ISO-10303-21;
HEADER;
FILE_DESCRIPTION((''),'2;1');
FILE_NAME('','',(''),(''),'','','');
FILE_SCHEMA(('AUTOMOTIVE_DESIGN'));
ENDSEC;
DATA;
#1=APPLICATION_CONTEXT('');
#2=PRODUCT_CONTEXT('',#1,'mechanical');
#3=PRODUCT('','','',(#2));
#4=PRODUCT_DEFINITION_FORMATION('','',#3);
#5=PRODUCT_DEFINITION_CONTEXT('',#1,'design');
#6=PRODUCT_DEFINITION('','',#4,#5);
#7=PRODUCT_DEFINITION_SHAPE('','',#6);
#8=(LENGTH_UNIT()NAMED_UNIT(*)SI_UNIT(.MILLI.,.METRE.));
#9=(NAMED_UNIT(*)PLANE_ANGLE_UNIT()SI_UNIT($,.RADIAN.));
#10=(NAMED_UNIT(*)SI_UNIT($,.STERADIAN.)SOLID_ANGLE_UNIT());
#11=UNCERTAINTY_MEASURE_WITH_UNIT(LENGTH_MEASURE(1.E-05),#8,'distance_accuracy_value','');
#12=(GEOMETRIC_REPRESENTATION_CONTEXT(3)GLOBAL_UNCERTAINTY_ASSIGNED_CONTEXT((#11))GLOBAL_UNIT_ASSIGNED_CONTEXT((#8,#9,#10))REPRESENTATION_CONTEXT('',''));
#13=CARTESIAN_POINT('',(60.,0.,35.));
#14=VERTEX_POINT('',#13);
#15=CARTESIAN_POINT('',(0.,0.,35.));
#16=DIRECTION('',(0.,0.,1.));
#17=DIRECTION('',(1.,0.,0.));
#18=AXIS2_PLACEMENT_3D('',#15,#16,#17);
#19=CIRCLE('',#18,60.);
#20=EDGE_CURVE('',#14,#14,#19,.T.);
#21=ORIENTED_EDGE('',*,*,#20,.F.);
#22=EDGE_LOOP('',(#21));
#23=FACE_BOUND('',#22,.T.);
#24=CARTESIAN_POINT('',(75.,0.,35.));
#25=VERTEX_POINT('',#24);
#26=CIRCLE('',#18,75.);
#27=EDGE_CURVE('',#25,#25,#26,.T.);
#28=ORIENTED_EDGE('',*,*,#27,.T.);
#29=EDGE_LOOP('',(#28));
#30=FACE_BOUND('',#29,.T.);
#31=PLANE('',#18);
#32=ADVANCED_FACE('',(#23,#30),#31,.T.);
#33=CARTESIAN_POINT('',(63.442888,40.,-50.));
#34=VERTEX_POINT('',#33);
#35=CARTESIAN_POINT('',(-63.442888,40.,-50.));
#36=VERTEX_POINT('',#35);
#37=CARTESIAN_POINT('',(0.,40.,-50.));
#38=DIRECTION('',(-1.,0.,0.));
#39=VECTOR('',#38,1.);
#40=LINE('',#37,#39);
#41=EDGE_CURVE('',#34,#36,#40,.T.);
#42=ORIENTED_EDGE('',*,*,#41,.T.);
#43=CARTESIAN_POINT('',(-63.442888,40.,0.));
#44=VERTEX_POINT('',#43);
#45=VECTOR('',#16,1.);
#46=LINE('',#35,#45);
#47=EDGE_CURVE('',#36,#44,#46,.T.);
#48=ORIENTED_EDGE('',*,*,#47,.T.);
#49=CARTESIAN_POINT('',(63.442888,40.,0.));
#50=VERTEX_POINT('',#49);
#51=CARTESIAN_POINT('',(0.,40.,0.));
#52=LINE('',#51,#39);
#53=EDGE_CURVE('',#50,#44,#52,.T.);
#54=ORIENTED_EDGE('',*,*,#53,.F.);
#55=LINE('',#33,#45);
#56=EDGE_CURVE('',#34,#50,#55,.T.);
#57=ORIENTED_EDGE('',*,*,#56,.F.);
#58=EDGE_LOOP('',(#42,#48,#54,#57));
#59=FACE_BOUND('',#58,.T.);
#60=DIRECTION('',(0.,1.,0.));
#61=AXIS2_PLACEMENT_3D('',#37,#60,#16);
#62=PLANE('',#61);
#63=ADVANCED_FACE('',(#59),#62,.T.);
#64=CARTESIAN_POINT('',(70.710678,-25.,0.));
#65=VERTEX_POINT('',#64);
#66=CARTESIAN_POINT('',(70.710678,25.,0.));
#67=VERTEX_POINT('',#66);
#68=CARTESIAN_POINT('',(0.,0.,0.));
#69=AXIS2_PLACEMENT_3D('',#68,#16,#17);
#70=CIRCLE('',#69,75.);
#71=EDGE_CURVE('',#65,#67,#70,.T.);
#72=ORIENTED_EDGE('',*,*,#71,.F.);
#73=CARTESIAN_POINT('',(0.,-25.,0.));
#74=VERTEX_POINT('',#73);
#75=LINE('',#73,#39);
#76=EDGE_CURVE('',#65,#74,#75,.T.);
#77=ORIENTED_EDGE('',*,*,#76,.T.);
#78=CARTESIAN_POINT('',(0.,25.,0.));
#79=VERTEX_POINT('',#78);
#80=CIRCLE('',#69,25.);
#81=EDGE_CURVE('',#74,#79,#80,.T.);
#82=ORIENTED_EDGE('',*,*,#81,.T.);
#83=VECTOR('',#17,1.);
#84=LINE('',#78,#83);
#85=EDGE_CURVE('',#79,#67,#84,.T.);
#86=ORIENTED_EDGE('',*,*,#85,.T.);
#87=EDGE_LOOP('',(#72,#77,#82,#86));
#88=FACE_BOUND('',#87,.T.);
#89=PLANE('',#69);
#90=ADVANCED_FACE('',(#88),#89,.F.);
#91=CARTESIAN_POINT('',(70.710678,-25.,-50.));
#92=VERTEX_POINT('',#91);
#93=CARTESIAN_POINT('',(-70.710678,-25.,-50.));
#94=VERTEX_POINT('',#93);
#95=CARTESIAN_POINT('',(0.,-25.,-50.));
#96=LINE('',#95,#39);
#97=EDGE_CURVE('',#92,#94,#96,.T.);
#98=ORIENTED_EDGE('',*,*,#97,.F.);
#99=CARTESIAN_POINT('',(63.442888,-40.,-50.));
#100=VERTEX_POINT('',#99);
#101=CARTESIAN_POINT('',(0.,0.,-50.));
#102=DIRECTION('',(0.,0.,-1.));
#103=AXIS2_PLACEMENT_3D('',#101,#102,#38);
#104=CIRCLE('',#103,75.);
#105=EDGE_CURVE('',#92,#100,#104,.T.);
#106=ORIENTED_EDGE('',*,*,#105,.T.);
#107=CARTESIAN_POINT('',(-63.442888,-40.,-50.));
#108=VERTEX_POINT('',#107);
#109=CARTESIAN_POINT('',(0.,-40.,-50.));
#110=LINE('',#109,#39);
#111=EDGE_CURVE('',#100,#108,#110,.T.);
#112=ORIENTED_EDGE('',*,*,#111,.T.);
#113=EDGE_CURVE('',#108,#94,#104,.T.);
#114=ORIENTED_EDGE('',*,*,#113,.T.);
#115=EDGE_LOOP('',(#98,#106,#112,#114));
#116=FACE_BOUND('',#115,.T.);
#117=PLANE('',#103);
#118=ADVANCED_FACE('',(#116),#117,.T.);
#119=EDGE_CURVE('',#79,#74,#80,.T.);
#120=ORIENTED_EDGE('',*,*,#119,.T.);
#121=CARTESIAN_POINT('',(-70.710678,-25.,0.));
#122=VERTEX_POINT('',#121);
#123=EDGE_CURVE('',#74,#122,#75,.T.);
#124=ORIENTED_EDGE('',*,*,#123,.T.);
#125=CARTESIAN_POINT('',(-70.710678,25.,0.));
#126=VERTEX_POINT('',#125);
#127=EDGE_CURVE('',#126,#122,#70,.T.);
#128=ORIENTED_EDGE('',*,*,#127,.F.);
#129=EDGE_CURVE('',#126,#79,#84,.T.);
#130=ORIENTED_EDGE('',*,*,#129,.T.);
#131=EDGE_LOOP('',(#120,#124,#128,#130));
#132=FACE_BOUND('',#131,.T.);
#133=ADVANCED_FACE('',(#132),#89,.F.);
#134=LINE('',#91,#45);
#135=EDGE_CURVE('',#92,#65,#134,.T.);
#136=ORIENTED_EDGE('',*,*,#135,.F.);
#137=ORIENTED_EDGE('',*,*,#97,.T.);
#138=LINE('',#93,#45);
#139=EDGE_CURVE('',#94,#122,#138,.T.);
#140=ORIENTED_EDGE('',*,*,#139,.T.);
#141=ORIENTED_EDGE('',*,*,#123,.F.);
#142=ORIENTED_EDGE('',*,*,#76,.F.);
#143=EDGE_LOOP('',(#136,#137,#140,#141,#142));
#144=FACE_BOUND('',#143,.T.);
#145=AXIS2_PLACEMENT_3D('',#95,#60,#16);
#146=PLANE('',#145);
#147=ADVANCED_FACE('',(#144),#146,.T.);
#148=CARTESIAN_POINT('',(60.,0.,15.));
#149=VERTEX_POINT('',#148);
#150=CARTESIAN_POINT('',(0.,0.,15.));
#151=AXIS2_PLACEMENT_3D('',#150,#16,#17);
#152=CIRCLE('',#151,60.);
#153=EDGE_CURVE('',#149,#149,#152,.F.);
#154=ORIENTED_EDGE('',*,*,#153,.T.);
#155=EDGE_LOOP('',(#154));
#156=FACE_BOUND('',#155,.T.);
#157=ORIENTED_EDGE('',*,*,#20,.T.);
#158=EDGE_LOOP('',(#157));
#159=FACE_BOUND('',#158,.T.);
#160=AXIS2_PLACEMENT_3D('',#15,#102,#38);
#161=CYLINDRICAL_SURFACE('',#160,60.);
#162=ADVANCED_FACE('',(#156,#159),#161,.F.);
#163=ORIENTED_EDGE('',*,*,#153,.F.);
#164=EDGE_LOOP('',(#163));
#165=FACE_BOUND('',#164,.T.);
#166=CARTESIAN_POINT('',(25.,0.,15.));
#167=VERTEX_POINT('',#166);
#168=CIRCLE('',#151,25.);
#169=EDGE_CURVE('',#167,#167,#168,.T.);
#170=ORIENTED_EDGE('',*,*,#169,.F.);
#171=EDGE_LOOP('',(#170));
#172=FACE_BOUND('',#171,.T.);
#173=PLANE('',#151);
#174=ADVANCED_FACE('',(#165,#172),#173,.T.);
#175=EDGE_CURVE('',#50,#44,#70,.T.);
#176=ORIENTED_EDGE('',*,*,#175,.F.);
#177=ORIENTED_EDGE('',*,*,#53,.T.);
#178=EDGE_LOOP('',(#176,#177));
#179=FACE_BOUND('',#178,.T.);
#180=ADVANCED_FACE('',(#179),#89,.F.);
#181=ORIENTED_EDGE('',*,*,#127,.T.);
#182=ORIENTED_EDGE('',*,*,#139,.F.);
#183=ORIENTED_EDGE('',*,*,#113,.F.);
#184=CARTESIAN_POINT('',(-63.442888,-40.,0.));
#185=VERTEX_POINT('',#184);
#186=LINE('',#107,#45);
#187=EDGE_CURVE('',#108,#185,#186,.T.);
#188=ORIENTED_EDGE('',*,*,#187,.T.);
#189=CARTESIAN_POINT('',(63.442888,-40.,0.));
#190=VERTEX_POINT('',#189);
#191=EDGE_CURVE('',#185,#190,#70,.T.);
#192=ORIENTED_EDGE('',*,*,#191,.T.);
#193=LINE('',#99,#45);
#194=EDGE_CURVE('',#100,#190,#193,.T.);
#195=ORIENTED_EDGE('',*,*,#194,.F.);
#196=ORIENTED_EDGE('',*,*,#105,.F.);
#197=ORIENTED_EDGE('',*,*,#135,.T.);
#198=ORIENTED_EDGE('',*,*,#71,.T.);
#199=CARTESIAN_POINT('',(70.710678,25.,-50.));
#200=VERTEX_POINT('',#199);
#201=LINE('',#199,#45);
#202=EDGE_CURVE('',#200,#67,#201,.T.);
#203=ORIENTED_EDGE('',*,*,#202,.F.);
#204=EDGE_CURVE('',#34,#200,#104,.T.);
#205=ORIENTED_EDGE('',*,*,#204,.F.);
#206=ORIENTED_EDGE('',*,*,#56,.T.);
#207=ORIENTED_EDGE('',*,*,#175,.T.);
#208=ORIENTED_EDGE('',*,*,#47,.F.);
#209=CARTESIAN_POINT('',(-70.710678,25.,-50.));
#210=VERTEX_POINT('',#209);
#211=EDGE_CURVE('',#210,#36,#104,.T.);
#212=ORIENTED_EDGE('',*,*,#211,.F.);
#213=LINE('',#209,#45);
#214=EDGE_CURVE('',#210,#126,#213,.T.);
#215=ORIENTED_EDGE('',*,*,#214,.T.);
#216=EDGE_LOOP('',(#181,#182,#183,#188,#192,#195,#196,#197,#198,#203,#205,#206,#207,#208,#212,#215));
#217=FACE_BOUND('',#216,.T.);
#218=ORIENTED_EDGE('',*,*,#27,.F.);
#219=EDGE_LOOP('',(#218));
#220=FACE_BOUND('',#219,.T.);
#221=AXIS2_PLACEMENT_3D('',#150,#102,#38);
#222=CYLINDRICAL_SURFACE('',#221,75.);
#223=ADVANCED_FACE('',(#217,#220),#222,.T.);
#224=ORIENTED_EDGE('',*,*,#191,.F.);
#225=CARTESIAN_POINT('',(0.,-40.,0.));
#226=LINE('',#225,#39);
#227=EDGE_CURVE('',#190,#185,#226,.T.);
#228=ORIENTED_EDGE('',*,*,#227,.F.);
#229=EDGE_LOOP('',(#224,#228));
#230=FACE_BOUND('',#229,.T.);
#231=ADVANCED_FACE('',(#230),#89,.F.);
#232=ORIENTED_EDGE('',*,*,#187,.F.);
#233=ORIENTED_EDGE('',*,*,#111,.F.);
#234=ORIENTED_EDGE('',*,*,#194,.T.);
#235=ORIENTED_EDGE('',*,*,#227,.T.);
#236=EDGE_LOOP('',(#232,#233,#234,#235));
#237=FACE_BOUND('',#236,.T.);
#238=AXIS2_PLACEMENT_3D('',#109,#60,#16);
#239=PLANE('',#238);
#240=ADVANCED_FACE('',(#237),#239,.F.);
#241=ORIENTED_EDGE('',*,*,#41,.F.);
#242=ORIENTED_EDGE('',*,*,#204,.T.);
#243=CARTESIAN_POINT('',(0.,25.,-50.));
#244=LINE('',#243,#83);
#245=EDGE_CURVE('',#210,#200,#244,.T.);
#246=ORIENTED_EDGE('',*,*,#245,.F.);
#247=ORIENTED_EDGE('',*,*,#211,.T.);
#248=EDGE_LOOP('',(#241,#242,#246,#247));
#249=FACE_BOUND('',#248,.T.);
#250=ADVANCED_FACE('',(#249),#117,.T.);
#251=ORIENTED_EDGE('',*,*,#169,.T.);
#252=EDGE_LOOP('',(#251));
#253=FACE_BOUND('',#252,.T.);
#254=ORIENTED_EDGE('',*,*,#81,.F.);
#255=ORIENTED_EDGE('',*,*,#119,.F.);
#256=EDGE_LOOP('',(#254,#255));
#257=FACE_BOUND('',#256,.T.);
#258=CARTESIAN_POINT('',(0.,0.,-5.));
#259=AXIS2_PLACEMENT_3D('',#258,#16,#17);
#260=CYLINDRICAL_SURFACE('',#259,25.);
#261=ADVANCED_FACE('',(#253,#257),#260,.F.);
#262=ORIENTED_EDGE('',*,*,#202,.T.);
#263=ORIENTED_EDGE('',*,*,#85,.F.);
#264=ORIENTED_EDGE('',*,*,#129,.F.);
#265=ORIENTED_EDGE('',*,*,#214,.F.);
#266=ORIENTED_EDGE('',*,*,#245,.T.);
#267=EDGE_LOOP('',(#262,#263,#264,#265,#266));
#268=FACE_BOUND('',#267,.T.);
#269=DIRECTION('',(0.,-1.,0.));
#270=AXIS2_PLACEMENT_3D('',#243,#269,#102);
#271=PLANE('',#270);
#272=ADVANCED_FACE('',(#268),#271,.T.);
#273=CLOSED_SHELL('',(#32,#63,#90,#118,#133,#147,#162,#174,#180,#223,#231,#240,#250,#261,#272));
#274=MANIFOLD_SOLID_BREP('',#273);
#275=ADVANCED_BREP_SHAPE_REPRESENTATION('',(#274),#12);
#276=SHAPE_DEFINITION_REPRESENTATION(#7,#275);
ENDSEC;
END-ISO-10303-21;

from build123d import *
from build123d.topology import SkipClean

# Parameters (mm, degrees)
CROQUIS1_R              = 75
SALIENTE_EXTRUIR1_DEPTH = 15
SALIENTE_EXTRUIR2_START = 50
SALIENTE_EXTRUIR2_DEPTH = 50
CROQUIS3_R              = 75
CROQUIS3_R_2            = 60
SALIENTE_EXTRUIR3_DEPTH = 20
CROQUIS4_R              = 25
CORTAR_EXTRUIR1_DEPTH   = 20


with BuildPart() as part:
    # Croquis1 → Saliente-Extruir1 (new body)
    with BuildSketch(Plane.XY):
        Circle(CROQUIS1_R)
    extrude(amount=SALIENTE_EXTRUIR1_DEPTH)

    # Croquis2 → Saliente-Extruir2 (add)
    with SkipClean():  # the faces are left unmerged after this step: merging them gives an invalid solid
        with BuildSketch(Plane(origin=(0, 0, 0), x_dir=(-1, 0, 0), z_dir=(0, 0, -1)).offset(SALIENTE_EXTRUIR2_START)):
            with BuildLine():
                Line((-70.710678119, 25), (0, 25))
                Line((0, 25), (0, 40))
                Line((0, 40), (-63.442887702, 40))
                ThreePointArc((-63.442887702, 40), (-67.494776136, 32.70252581), (-70.710678119, 25))
            make_face()
            with BuildLine():
                Line((0, 40), (0, 25))
                Line((0, 25), (70.710678119, 25))
                ThreePointArc((70.710678119, 25), (67.494776136, 32.70252581), (63.442887702, 40))
                Line((63.442887702, 40), (0, 40))
            make_face()
            with BuildLine():
                Line((-70.710678119, 25), (0, 25))
                Line((0, 25), (0, 40))
                Line((0, 40), (-63.442887702, 40))
                ThreePointArc((-63.442887702, 40), (-67.494776136, 32.70252581), (-70.710678119, 25))
            make_face()
            with BuildLine():
                Line((0, -40), (0, -25))
                Line((0, -25), (-70.710678119, -25))
                ThreePointArc((-70.710678119, -25), (-67.494776136, -32.70252581), (-63.442887702, -40))
                Line((-63.442887702, -40), (0, -40))
            make_face()
            with BuildLine():
                Line((70.710678119, -25), (0, -25))
                Line((0, -25), (0, -40))
                Line((0, -40), (63.442887702, -40))
                ThreePointArc((63.442887702, -40), (67.494776136, -32.70252581), (70.710678119, -25))
            make_face()
            with BuildLine():
                Line((0, -40), (0, -25))
                Line((0, -25), (-70.710678119, -25))
                ThreePointArc((-70.710678119, -25), (-67.494776136, -32.70252581), (-63.442887702, -40))
                Line((-63.442887702, -40), (0, -40))
            make_face()
            with BuildLine():
                Line((70.710678119, -25), (0, -25))
                Line((0, -25), (0, -40))
                Line((0, -40), (63.442887702, -40))
                ThreePointArc((63.442887702, -40), (67.494776136, -32.70252581), (70.710678119, -25))
            make_face()
        extrude(amount=-SALIENTE_EXTRUIR2_DEPTH)

    # Croquis3 → Saliente-Extruir3 (add)
    with SkipClean():  # the faces are left unmerged after this step: merging them gives an invalid solid
        with BuildSketch(Plane.XY.offset(15)):
            with Locations(Location((0, 0, 0), (0, 0, 160.528779366))):
                Circle(CROQUIS3_R)
            Circle(CROQUIS3_R_2, mode=Mode.SUBTRACT)
        extrude(amount=SALIENTE_EXTRUIR3_DEPTH)

    # Croquis4 → Cortar-Extruir1 (cut)
    with SkipClean():  # the faces are left unmerged after this step: merging them gives an invalid solid
        with BuildSketch(Plane.XY.offset(15)):
            Circle(CROQUIS4_R)
        extrude(amount=-CORTAR_EXTRUIR1_DEPTH, mode=Mode.SUBTRACT)


solid = part.part
